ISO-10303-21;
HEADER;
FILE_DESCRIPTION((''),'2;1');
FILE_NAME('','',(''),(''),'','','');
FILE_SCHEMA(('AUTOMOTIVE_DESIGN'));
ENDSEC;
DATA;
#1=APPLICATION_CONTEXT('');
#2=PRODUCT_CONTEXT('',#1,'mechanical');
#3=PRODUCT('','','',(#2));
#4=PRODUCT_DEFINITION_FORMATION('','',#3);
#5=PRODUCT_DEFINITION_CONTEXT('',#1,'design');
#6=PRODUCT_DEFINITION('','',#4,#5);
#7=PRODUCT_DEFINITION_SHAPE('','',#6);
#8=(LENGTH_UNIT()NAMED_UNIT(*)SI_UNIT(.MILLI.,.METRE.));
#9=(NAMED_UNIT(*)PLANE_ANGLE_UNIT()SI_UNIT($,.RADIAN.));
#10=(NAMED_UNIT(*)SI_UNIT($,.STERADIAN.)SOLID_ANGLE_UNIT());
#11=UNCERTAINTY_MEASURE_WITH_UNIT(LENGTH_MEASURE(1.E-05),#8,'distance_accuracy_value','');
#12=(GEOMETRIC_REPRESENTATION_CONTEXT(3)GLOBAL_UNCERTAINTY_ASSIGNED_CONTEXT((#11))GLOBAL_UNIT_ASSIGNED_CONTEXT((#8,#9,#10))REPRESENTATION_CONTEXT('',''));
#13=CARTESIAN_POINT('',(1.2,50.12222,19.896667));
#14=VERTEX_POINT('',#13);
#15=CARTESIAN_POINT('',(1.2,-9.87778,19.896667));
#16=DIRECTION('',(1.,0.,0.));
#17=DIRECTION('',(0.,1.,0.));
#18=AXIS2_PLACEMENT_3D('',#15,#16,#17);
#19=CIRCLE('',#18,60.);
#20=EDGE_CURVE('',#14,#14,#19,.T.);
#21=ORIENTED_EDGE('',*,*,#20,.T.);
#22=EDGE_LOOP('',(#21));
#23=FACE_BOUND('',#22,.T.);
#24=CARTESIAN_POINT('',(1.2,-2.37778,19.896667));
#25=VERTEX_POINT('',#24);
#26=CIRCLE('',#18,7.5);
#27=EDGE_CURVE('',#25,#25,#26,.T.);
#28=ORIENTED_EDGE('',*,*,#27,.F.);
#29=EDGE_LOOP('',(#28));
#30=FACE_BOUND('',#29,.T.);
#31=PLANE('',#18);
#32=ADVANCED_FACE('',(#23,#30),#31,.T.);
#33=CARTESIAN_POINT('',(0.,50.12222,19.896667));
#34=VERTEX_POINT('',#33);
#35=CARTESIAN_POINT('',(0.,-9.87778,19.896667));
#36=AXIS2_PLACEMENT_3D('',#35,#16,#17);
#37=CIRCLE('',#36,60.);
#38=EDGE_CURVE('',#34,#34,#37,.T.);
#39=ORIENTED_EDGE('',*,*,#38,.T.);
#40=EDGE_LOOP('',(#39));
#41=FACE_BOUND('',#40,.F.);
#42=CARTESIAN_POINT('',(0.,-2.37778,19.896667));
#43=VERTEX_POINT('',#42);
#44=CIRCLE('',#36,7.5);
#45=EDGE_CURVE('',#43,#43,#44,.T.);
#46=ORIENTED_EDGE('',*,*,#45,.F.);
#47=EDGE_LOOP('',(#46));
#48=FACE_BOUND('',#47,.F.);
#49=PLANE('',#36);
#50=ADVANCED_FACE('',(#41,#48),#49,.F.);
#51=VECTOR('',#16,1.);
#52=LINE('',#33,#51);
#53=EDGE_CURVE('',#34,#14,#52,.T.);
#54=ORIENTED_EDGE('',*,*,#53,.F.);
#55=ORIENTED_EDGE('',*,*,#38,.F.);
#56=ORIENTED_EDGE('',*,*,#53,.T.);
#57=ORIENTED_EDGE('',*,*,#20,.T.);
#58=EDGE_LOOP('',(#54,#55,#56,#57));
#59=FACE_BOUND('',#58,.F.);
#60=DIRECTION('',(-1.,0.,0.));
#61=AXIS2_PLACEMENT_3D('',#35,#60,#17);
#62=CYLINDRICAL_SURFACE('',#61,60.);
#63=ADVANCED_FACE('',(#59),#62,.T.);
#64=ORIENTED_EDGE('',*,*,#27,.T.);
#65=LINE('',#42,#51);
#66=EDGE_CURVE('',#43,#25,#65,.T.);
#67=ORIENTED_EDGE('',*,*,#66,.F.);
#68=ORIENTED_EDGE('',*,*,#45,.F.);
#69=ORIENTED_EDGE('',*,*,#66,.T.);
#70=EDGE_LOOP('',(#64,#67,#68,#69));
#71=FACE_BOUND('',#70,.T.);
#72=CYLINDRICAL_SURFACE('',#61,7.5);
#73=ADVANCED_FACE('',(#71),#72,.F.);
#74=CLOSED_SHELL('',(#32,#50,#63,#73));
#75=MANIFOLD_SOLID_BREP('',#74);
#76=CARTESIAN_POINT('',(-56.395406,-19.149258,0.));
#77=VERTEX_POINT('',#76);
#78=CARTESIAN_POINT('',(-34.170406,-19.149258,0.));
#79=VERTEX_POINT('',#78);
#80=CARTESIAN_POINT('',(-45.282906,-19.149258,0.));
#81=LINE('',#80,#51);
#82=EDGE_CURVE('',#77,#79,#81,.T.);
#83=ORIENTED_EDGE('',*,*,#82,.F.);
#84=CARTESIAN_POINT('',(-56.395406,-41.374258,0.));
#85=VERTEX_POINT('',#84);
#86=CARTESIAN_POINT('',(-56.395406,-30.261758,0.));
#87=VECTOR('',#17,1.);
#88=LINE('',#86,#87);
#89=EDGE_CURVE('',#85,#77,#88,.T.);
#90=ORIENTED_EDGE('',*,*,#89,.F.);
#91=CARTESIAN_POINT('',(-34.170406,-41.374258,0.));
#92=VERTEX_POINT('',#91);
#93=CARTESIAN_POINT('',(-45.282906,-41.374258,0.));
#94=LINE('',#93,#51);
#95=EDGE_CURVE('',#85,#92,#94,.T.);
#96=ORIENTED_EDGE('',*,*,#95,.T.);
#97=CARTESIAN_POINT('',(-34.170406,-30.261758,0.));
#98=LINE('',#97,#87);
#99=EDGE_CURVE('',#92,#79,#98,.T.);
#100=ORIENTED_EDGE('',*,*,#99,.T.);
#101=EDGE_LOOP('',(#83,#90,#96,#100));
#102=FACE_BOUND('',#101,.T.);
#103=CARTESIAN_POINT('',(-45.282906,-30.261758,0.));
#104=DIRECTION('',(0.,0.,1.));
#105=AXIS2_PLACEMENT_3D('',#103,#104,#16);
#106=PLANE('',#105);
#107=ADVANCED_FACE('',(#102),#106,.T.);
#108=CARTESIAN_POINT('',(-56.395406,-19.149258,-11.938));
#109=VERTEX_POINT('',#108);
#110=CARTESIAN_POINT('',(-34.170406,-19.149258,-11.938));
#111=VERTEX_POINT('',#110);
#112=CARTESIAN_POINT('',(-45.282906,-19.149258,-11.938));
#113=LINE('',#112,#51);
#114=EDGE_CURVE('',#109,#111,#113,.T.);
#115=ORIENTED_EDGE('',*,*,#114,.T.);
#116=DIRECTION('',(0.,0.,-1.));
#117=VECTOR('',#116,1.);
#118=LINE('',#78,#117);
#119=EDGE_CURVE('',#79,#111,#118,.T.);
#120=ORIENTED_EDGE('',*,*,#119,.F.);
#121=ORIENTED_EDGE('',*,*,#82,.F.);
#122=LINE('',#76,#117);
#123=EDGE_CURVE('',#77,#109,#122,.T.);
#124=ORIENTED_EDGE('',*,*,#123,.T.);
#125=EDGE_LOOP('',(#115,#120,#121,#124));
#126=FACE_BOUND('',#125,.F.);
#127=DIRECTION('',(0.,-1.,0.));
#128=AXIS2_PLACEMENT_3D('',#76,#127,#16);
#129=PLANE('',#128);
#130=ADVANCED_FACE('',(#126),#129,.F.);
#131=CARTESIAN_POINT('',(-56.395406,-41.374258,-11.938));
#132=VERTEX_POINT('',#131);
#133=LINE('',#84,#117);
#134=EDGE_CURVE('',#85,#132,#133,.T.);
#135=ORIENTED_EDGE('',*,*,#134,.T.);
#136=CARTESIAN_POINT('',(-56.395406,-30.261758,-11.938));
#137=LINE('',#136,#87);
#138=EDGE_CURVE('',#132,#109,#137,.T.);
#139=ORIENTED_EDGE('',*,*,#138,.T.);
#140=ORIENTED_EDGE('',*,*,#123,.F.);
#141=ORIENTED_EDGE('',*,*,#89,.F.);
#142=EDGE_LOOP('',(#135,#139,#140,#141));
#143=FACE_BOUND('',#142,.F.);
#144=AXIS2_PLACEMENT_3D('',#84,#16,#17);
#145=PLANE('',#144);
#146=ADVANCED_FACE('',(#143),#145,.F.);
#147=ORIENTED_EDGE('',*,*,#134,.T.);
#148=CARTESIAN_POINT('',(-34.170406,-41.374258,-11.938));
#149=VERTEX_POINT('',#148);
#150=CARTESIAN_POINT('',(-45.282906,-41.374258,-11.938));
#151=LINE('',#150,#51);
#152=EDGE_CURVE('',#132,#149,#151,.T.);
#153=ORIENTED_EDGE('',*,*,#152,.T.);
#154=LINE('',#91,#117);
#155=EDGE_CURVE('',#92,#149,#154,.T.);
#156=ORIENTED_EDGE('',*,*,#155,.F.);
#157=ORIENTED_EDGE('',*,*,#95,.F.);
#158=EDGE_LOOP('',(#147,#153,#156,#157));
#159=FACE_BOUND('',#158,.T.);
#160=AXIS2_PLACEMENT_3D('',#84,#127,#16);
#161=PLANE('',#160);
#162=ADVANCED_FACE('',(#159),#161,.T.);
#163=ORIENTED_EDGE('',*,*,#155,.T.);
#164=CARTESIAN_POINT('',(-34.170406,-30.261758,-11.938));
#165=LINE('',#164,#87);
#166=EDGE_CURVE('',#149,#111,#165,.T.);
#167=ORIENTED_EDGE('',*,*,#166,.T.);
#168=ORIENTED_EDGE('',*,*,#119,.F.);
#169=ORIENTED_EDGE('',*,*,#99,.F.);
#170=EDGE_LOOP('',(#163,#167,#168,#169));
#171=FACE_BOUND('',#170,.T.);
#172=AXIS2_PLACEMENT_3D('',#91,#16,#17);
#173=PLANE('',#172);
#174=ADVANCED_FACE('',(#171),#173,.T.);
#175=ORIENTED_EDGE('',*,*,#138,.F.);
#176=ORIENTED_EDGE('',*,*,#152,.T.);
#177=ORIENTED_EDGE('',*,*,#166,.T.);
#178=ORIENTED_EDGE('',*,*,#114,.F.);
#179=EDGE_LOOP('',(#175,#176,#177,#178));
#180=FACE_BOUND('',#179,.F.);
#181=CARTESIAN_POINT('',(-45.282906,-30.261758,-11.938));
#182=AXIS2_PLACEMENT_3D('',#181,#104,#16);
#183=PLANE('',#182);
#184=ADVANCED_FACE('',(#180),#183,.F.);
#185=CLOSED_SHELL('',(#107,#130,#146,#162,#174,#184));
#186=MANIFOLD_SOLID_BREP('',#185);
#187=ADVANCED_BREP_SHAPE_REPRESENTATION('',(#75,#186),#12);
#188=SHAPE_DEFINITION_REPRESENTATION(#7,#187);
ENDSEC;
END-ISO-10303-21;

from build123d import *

# Parameters (mm, degrees)
F0_W     = 22.225
F0_H     = 22.225
F1_DEPTH = 11.938
F2_R     = 60
F2_R_2   = 7.5
F3_DEPTH = 1.2


with BuildPart() as f1:
    # F0 (on Top) → F1 (new body)
    with BuildSketch(Plane.XY):
        with Locations((-45.282906, -30.261758)):
            Rectangle(F0_W, F0_H)
    extrude(amount=-F1_DEPTH)


with BuildPart() as f3:
    # F2 (on Right) → F3 (new body)
    with BuildSketch(Plane.YZ):
        with Locations((-9.87778, 19.896667)):
            Circle(F2_R)
        with Locations((-9.87778, 19.896667)):
            Circle(F2_R_2, mode=Mode.SUBTRACT)
    extrude(amount=F3_DEPTH)


solid = Compound([f1.part, f3.part])
